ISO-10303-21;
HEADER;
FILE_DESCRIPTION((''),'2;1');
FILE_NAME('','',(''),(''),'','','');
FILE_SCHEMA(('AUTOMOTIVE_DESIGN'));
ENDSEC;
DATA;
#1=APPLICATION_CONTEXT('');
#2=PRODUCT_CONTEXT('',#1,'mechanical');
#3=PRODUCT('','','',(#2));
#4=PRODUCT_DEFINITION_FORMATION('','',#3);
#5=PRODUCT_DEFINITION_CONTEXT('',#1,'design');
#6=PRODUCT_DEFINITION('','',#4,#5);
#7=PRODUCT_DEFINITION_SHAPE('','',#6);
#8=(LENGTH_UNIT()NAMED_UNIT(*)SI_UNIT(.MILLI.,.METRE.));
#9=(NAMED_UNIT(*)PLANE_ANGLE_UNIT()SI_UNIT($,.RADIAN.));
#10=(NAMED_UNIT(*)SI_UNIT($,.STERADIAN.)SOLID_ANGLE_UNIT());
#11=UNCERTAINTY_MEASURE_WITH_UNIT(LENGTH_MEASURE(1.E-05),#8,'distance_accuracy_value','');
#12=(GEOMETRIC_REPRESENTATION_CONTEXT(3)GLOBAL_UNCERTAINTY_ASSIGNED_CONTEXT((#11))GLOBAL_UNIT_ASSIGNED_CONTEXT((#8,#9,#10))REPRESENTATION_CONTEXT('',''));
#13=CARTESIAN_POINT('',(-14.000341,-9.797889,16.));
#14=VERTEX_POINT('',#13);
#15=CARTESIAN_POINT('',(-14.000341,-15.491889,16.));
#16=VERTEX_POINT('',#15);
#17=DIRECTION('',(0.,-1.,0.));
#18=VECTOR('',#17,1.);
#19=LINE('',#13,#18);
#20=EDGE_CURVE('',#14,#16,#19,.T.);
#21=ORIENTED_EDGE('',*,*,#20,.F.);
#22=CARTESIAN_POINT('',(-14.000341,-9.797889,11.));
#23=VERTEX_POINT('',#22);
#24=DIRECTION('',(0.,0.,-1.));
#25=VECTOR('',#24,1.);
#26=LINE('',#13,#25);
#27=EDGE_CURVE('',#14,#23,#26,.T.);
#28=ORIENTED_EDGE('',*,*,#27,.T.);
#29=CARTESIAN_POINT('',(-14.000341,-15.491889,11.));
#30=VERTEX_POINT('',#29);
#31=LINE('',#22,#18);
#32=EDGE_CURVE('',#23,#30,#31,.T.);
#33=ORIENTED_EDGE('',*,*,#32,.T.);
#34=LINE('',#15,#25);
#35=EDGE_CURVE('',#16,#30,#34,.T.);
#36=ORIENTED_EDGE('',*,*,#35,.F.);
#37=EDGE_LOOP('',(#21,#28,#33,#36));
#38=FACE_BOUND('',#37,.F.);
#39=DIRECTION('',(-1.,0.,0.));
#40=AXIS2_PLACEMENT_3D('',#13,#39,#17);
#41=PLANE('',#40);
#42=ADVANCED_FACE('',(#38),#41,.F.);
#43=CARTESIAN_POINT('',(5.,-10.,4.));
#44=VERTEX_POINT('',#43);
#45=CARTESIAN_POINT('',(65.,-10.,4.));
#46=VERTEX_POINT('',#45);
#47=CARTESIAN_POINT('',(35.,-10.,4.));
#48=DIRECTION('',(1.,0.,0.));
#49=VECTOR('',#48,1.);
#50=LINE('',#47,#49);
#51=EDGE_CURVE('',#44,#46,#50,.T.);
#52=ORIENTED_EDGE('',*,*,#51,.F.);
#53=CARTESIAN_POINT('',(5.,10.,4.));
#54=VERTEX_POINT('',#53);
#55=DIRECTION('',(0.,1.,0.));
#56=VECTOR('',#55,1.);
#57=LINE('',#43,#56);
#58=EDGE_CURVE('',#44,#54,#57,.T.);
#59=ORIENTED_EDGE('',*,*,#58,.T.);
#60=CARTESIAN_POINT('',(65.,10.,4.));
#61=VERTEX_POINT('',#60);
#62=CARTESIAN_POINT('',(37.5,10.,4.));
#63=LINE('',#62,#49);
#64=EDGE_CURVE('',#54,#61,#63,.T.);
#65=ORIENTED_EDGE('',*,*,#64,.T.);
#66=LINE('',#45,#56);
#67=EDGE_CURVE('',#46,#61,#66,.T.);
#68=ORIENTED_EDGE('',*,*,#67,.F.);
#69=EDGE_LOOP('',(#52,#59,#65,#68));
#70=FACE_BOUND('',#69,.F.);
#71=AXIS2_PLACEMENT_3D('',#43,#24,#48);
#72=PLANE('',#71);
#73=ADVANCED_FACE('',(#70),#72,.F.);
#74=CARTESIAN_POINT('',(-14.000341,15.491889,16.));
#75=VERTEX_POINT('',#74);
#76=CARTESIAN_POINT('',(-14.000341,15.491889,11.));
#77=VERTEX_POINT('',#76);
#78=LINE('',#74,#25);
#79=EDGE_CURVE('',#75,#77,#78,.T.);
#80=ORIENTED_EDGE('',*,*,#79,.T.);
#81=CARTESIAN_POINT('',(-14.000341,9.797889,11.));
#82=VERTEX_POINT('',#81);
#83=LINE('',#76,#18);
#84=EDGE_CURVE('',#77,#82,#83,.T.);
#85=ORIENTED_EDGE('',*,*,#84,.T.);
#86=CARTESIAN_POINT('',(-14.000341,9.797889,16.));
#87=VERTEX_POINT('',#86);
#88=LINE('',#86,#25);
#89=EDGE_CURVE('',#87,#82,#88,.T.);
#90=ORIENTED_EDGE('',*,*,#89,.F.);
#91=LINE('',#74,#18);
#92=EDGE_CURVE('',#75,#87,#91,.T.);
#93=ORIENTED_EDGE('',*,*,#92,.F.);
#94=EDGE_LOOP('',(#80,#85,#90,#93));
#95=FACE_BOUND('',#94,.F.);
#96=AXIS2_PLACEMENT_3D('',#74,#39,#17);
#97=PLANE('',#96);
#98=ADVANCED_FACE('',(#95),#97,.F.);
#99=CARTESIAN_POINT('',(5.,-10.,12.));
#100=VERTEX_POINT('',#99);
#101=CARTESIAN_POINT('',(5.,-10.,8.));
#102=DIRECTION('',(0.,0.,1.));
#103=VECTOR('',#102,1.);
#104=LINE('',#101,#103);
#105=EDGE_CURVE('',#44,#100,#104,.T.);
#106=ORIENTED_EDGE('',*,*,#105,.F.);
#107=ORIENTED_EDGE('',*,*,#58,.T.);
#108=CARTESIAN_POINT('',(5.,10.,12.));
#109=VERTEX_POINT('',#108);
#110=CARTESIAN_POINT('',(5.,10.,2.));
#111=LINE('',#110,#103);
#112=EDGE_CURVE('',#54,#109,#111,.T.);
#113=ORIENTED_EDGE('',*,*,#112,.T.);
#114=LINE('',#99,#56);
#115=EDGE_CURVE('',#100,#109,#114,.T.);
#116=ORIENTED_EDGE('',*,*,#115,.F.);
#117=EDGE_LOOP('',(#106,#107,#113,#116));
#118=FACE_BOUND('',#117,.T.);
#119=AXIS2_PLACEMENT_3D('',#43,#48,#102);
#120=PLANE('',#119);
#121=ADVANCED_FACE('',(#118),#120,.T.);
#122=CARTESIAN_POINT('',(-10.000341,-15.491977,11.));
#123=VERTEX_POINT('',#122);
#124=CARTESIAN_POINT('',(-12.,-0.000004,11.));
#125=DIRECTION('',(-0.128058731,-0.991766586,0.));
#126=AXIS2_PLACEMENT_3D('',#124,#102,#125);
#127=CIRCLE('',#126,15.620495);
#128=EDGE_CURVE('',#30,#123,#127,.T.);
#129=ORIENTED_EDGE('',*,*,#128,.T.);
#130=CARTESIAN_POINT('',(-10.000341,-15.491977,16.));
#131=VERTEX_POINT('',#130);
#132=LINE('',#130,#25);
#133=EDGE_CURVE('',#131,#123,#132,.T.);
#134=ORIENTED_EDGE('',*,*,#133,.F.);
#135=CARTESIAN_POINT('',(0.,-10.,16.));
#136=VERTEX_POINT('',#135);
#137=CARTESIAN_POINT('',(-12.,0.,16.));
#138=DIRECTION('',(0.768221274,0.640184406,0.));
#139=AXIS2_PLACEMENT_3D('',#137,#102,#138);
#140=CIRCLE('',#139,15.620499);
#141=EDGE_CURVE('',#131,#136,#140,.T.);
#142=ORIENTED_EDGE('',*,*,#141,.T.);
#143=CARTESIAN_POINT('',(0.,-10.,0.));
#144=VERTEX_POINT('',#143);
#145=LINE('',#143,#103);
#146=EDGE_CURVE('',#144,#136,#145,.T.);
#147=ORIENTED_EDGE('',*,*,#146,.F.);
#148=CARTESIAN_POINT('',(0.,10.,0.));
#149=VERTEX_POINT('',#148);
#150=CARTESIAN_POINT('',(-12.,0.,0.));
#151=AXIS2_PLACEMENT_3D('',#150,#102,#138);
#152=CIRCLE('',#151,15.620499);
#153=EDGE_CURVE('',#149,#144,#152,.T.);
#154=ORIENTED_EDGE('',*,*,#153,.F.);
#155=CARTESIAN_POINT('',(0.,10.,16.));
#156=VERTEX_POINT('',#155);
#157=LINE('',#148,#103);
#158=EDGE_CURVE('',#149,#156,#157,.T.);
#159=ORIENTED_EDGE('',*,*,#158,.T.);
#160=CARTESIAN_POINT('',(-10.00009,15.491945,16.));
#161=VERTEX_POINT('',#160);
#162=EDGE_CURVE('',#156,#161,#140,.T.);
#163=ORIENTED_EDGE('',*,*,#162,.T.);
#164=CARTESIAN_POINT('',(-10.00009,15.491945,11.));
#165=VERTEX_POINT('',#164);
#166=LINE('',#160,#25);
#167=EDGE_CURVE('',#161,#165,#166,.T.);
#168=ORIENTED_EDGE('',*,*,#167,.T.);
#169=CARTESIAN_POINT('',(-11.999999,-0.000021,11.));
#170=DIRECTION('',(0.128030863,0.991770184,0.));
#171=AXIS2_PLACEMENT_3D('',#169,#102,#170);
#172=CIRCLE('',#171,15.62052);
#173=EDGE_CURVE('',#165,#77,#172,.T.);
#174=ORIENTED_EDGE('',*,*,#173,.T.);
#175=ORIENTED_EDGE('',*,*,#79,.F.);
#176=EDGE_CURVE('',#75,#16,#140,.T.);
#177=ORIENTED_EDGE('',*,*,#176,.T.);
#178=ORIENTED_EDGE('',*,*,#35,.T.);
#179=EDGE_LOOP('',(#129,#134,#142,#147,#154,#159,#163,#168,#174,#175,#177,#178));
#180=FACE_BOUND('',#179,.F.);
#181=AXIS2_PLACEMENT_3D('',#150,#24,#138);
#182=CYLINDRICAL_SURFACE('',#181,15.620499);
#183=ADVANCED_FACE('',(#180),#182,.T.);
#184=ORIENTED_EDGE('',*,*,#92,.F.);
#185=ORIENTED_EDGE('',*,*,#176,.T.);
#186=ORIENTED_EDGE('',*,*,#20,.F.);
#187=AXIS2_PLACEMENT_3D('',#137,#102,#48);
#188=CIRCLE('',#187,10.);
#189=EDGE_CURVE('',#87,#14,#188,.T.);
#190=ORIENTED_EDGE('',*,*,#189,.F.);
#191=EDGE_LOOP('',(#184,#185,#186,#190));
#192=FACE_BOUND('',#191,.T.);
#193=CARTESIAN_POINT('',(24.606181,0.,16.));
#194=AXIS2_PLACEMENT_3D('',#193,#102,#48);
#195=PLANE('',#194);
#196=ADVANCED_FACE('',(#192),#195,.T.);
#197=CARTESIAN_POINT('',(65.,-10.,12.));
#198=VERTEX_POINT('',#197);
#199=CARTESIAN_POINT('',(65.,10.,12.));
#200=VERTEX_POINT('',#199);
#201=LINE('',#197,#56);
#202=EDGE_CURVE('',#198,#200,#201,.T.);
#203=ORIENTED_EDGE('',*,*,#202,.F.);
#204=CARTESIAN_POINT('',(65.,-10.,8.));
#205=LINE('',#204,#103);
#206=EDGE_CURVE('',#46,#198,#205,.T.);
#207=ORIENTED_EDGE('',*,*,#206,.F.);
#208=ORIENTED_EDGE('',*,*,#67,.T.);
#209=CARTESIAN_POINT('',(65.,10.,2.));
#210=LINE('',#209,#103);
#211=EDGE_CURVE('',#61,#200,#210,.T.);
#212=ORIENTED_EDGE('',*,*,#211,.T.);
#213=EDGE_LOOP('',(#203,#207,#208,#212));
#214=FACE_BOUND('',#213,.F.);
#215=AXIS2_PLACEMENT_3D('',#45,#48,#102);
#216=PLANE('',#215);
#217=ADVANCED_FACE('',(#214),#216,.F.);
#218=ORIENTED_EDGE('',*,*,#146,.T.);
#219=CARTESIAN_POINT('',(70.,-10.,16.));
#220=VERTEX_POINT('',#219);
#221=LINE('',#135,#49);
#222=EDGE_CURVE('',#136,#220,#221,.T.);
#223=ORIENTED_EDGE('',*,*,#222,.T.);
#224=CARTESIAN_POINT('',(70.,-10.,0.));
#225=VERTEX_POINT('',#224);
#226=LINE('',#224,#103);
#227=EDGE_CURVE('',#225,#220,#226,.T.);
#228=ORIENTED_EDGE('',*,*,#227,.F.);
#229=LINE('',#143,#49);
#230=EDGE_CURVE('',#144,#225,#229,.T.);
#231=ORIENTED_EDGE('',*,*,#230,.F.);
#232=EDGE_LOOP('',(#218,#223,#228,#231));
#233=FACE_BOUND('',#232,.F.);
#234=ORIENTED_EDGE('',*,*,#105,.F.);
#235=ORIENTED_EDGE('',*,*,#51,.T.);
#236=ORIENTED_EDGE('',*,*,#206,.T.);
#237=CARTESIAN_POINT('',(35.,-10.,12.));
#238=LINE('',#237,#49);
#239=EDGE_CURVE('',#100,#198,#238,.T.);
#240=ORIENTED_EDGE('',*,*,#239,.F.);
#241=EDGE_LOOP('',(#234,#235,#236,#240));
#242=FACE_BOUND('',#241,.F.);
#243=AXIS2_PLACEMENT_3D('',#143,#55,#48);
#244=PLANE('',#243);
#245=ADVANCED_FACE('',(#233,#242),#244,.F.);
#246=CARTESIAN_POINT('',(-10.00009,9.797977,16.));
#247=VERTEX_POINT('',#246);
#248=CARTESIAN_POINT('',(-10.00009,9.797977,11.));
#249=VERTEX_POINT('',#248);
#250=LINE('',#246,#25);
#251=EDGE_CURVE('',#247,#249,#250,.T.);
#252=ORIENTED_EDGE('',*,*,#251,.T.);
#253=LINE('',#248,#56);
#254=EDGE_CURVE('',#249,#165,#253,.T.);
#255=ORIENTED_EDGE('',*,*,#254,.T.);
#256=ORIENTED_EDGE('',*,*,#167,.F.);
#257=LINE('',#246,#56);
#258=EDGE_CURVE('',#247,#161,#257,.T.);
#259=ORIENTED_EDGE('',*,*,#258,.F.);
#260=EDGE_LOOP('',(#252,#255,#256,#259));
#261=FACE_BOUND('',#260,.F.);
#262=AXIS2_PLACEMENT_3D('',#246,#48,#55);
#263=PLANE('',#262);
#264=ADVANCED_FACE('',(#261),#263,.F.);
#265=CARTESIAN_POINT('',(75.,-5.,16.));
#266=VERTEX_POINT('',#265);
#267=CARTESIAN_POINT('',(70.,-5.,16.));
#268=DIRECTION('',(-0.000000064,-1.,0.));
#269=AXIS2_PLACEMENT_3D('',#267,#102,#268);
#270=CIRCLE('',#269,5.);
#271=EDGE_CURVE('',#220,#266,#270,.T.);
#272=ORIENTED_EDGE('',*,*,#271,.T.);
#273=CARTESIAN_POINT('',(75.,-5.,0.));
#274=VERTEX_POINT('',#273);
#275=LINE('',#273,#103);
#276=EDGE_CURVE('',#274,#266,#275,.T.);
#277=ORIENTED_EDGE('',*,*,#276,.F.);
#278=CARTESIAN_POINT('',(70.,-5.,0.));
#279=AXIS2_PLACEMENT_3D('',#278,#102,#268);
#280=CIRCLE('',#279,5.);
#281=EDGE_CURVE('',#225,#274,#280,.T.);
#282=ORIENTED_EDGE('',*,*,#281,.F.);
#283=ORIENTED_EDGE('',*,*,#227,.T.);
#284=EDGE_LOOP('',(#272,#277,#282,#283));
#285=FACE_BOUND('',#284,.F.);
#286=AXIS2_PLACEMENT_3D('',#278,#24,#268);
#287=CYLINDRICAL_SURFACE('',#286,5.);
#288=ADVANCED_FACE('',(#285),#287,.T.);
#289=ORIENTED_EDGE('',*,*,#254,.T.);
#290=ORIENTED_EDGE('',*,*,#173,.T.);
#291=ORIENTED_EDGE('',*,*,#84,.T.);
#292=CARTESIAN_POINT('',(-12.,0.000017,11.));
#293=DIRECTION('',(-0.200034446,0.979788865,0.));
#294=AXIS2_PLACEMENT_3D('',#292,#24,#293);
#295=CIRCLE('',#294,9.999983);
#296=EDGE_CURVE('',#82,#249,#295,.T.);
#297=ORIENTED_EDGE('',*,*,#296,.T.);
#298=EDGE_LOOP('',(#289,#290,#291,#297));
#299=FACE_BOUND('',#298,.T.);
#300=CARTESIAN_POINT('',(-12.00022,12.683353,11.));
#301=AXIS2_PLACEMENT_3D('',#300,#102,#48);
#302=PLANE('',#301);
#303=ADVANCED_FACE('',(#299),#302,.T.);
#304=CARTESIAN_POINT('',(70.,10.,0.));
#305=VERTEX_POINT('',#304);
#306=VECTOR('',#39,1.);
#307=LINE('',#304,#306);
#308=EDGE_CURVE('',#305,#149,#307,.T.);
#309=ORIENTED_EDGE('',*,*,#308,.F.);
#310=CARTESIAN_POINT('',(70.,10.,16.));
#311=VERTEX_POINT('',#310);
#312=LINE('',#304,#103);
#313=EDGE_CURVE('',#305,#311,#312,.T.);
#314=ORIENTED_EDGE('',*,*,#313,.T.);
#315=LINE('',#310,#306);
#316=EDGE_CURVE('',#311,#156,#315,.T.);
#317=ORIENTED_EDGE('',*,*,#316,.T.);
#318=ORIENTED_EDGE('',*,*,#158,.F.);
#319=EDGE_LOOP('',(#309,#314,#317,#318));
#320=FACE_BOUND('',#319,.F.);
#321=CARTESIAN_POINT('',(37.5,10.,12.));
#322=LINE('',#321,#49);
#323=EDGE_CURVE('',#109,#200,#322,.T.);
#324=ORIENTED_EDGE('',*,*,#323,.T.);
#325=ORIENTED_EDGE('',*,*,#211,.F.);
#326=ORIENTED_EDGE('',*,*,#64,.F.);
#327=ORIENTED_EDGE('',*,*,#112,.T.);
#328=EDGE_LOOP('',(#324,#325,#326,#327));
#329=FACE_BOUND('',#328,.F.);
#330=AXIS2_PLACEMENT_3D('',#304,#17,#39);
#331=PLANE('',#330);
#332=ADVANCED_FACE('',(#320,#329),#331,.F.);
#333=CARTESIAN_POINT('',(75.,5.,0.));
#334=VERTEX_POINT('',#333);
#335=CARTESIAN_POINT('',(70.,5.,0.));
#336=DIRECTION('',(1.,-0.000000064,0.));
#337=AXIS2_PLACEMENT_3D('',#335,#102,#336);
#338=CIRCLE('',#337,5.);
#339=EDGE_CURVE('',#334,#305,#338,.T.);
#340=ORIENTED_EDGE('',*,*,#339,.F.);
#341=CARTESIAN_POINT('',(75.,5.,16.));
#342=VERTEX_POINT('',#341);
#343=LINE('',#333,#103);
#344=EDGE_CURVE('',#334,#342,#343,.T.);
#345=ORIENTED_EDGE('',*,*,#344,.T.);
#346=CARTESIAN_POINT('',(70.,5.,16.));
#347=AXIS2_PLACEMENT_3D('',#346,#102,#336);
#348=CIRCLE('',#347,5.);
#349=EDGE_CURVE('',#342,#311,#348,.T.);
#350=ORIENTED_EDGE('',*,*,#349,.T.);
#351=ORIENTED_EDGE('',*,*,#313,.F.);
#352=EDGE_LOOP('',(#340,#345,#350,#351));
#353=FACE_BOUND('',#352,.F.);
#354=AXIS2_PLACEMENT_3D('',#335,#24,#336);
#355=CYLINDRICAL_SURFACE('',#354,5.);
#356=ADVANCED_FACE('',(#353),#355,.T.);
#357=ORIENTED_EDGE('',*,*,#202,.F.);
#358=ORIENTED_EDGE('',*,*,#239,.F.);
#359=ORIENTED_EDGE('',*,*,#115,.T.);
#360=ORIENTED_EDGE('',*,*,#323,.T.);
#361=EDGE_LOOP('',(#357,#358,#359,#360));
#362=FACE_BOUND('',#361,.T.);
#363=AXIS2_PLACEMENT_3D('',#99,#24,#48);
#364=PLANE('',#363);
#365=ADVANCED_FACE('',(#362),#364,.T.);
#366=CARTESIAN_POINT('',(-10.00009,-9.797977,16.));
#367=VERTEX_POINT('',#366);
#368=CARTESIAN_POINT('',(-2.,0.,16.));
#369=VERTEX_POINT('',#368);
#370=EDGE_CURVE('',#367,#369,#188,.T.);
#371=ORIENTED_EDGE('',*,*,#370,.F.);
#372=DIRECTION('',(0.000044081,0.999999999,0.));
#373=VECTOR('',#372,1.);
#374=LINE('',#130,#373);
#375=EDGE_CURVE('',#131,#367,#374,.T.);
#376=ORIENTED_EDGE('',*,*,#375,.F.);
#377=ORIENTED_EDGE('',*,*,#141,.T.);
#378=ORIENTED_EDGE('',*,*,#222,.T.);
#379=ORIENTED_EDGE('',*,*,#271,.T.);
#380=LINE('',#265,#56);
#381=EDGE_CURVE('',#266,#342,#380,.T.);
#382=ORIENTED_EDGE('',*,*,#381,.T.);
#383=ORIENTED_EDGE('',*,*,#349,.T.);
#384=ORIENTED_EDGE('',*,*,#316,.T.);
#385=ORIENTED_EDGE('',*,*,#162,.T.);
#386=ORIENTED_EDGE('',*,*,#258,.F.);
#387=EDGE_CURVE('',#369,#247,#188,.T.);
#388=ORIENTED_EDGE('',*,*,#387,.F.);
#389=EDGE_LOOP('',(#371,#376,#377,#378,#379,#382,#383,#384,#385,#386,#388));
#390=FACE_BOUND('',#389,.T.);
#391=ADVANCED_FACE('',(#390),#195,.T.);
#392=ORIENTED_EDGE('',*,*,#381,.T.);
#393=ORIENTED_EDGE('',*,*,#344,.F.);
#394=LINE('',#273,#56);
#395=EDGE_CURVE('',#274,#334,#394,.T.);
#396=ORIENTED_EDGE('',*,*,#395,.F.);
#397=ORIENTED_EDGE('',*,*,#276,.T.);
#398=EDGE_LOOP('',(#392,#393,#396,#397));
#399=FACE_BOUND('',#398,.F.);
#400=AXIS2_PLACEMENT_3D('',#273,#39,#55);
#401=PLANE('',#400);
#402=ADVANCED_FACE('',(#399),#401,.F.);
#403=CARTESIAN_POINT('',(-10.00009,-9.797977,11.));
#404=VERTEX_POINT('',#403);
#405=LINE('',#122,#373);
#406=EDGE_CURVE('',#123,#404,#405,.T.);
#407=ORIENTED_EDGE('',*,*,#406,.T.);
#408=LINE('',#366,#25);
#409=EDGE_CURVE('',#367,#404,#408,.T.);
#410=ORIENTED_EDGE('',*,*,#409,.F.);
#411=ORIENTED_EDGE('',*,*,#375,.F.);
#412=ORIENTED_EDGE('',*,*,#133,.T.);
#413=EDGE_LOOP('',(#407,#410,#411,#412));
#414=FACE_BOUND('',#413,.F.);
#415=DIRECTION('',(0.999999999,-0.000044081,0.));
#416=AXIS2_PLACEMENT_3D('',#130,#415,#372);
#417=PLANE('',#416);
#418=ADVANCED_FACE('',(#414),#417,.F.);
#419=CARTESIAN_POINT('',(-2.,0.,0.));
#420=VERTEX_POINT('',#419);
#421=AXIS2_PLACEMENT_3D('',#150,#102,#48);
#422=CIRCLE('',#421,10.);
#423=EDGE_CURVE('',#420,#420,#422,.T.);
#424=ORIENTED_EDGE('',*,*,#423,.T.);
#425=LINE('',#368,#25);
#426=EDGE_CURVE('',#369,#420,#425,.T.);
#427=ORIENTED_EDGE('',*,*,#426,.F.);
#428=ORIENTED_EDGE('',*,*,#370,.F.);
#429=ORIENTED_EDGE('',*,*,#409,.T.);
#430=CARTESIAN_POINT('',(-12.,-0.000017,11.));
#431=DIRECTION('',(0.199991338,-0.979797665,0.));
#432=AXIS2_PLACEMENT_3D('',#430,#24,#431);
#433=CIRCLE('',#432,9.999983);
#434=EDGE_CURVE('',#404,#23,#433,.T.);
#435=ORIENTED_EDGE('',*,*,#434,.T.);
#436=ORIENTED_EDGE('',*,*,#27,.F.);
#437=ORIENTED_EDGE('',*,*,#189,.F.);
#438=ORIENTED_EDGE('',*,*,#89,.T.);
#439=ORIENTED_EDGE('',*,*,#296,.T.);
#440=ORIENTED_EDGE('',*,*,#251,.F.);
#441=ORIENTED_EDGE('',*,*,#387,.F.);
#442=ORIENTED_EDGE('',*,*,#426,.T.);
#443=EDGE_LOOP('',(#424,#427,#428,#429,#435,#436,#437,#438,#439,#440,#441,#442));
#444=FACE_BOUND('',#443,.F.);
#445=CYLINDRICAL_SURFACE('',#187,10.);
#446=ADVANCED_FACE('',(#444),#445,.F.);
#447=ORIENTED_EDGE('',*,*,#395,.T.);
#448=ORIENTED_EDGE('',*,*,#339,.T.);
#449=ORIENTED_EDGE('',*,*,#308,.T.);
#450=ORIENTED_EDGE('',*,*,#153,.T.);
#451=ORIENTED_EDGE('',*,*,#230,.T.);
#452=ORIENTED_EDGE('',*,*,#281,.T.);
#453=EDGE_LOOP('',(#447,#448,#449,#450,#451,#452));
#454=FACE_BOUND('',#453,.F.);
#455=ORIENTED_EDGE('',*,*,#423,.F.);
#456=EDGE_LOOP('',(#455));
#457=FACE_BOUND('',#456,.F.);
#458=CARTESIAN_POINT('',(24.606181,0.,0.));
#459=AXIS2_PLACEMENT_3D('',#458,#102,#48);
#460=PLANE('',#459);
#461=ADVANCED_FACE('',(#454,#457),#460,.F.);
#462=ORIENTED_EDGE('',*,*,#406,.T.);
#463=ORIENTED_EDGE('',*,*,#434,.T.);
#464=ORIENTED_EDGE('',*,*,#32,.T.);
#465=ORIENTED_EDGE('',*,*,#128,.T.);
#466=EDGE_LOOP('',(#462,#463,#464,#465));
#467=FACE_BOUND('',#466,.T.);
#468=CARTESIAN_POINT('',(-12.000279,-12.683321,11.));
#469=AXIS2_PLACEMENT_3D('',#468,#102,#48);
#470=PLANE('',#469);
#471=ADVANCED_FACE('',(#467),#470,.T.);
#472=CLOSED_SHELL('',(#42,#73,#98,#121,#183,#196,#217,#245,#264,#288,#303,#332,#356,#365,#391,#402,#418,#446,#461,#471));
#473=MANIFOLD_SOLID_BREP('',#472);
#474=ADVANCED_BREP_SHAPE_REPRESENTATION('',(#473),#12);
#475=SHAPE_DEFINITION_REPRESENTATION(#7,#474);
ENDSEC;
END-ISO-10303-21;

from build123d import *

# Parameters (mm, degrees)
F1_DEPTH = 16
F2_R     = 10
F3_DEPTH = 25
F4_W     = 60
F4_H     = 8
F5_DEPTH = 25
F7_DEPTH = 5


with BuildPart() as f1:
    # F0 (on Top) → F1 (new body)
    with BuildSketch(Plane.XY):
        with BuildLine():
            Line((75, -5), (75, 0))
            Line((75, 0), (75, 5))
            ThreePointArc((75, 5), (73.535534, 8.535534), (70, 10))
            Line((70, 10), (0, 10))
            ThreePointArc((0, 10), (-27.620499, 0), (0, -10))
            Line((0, -10), (70, -10))
            ThreePointArc((70, -10), (73.535534, -8.535534), (75, -5))
        make_face()
    extrude(amount=F1_DEPTH)

    # F2 (on face) → F3 (cut)
    with BuildSketch(Plane.XY.offset(16)):
        with Locations((-12, 0)):
            Circle(F2_R)
    extrude(amount=-F3_DEPTH, mode=Mode.SUBTRACT)

    # F4 (on face) → F5 (cut)
    with BuildSketch(Plane.XZ.offset(10)):
        with Locations((35, 8)):
            Rectangle(F4_W, F4_H)
    extrude(amount=-F5_DEPTH, mode=Mode.SUBTRACT)

    # F6 (on face) → F7 (cut)
    with BuildSketch(Plane.XY.offset(16)):
        with BuildLine():
            ThreePointArc((-10.00009, 15.491945), (-12.000217, 15.620499), (-14.000341, 15.491889))
            Line((-14.000341, 15.491889), (-14.000341, 9.797889))
            ThreePointArc((-14.000341, 9.797889), (-12.00022, 10), (-10.00009, 9.797977))
            Line((-10.00009, 9.797977), (-10.00009, 15.491945))
        make_face()
        with BuildLine():
            Line((-14.000341, -9.797889), (-14.000341, -15.491889))
            ThreePointArc((-14.000341, -15.491889), (-12.000344, -15.620499), (-10.000341, -15.491977))
            Line((-10.000341, -15.491977), (-10.00009, -9.797977))
            ThreePointArc((-10.00009, -9.797977), (-12.00022, -10), (-14.000341, -9.797889))
        make_face()
    extrude(amount=-F7_DEPTH, mode=Mode.SUBTRACT)


solid = f1.part
